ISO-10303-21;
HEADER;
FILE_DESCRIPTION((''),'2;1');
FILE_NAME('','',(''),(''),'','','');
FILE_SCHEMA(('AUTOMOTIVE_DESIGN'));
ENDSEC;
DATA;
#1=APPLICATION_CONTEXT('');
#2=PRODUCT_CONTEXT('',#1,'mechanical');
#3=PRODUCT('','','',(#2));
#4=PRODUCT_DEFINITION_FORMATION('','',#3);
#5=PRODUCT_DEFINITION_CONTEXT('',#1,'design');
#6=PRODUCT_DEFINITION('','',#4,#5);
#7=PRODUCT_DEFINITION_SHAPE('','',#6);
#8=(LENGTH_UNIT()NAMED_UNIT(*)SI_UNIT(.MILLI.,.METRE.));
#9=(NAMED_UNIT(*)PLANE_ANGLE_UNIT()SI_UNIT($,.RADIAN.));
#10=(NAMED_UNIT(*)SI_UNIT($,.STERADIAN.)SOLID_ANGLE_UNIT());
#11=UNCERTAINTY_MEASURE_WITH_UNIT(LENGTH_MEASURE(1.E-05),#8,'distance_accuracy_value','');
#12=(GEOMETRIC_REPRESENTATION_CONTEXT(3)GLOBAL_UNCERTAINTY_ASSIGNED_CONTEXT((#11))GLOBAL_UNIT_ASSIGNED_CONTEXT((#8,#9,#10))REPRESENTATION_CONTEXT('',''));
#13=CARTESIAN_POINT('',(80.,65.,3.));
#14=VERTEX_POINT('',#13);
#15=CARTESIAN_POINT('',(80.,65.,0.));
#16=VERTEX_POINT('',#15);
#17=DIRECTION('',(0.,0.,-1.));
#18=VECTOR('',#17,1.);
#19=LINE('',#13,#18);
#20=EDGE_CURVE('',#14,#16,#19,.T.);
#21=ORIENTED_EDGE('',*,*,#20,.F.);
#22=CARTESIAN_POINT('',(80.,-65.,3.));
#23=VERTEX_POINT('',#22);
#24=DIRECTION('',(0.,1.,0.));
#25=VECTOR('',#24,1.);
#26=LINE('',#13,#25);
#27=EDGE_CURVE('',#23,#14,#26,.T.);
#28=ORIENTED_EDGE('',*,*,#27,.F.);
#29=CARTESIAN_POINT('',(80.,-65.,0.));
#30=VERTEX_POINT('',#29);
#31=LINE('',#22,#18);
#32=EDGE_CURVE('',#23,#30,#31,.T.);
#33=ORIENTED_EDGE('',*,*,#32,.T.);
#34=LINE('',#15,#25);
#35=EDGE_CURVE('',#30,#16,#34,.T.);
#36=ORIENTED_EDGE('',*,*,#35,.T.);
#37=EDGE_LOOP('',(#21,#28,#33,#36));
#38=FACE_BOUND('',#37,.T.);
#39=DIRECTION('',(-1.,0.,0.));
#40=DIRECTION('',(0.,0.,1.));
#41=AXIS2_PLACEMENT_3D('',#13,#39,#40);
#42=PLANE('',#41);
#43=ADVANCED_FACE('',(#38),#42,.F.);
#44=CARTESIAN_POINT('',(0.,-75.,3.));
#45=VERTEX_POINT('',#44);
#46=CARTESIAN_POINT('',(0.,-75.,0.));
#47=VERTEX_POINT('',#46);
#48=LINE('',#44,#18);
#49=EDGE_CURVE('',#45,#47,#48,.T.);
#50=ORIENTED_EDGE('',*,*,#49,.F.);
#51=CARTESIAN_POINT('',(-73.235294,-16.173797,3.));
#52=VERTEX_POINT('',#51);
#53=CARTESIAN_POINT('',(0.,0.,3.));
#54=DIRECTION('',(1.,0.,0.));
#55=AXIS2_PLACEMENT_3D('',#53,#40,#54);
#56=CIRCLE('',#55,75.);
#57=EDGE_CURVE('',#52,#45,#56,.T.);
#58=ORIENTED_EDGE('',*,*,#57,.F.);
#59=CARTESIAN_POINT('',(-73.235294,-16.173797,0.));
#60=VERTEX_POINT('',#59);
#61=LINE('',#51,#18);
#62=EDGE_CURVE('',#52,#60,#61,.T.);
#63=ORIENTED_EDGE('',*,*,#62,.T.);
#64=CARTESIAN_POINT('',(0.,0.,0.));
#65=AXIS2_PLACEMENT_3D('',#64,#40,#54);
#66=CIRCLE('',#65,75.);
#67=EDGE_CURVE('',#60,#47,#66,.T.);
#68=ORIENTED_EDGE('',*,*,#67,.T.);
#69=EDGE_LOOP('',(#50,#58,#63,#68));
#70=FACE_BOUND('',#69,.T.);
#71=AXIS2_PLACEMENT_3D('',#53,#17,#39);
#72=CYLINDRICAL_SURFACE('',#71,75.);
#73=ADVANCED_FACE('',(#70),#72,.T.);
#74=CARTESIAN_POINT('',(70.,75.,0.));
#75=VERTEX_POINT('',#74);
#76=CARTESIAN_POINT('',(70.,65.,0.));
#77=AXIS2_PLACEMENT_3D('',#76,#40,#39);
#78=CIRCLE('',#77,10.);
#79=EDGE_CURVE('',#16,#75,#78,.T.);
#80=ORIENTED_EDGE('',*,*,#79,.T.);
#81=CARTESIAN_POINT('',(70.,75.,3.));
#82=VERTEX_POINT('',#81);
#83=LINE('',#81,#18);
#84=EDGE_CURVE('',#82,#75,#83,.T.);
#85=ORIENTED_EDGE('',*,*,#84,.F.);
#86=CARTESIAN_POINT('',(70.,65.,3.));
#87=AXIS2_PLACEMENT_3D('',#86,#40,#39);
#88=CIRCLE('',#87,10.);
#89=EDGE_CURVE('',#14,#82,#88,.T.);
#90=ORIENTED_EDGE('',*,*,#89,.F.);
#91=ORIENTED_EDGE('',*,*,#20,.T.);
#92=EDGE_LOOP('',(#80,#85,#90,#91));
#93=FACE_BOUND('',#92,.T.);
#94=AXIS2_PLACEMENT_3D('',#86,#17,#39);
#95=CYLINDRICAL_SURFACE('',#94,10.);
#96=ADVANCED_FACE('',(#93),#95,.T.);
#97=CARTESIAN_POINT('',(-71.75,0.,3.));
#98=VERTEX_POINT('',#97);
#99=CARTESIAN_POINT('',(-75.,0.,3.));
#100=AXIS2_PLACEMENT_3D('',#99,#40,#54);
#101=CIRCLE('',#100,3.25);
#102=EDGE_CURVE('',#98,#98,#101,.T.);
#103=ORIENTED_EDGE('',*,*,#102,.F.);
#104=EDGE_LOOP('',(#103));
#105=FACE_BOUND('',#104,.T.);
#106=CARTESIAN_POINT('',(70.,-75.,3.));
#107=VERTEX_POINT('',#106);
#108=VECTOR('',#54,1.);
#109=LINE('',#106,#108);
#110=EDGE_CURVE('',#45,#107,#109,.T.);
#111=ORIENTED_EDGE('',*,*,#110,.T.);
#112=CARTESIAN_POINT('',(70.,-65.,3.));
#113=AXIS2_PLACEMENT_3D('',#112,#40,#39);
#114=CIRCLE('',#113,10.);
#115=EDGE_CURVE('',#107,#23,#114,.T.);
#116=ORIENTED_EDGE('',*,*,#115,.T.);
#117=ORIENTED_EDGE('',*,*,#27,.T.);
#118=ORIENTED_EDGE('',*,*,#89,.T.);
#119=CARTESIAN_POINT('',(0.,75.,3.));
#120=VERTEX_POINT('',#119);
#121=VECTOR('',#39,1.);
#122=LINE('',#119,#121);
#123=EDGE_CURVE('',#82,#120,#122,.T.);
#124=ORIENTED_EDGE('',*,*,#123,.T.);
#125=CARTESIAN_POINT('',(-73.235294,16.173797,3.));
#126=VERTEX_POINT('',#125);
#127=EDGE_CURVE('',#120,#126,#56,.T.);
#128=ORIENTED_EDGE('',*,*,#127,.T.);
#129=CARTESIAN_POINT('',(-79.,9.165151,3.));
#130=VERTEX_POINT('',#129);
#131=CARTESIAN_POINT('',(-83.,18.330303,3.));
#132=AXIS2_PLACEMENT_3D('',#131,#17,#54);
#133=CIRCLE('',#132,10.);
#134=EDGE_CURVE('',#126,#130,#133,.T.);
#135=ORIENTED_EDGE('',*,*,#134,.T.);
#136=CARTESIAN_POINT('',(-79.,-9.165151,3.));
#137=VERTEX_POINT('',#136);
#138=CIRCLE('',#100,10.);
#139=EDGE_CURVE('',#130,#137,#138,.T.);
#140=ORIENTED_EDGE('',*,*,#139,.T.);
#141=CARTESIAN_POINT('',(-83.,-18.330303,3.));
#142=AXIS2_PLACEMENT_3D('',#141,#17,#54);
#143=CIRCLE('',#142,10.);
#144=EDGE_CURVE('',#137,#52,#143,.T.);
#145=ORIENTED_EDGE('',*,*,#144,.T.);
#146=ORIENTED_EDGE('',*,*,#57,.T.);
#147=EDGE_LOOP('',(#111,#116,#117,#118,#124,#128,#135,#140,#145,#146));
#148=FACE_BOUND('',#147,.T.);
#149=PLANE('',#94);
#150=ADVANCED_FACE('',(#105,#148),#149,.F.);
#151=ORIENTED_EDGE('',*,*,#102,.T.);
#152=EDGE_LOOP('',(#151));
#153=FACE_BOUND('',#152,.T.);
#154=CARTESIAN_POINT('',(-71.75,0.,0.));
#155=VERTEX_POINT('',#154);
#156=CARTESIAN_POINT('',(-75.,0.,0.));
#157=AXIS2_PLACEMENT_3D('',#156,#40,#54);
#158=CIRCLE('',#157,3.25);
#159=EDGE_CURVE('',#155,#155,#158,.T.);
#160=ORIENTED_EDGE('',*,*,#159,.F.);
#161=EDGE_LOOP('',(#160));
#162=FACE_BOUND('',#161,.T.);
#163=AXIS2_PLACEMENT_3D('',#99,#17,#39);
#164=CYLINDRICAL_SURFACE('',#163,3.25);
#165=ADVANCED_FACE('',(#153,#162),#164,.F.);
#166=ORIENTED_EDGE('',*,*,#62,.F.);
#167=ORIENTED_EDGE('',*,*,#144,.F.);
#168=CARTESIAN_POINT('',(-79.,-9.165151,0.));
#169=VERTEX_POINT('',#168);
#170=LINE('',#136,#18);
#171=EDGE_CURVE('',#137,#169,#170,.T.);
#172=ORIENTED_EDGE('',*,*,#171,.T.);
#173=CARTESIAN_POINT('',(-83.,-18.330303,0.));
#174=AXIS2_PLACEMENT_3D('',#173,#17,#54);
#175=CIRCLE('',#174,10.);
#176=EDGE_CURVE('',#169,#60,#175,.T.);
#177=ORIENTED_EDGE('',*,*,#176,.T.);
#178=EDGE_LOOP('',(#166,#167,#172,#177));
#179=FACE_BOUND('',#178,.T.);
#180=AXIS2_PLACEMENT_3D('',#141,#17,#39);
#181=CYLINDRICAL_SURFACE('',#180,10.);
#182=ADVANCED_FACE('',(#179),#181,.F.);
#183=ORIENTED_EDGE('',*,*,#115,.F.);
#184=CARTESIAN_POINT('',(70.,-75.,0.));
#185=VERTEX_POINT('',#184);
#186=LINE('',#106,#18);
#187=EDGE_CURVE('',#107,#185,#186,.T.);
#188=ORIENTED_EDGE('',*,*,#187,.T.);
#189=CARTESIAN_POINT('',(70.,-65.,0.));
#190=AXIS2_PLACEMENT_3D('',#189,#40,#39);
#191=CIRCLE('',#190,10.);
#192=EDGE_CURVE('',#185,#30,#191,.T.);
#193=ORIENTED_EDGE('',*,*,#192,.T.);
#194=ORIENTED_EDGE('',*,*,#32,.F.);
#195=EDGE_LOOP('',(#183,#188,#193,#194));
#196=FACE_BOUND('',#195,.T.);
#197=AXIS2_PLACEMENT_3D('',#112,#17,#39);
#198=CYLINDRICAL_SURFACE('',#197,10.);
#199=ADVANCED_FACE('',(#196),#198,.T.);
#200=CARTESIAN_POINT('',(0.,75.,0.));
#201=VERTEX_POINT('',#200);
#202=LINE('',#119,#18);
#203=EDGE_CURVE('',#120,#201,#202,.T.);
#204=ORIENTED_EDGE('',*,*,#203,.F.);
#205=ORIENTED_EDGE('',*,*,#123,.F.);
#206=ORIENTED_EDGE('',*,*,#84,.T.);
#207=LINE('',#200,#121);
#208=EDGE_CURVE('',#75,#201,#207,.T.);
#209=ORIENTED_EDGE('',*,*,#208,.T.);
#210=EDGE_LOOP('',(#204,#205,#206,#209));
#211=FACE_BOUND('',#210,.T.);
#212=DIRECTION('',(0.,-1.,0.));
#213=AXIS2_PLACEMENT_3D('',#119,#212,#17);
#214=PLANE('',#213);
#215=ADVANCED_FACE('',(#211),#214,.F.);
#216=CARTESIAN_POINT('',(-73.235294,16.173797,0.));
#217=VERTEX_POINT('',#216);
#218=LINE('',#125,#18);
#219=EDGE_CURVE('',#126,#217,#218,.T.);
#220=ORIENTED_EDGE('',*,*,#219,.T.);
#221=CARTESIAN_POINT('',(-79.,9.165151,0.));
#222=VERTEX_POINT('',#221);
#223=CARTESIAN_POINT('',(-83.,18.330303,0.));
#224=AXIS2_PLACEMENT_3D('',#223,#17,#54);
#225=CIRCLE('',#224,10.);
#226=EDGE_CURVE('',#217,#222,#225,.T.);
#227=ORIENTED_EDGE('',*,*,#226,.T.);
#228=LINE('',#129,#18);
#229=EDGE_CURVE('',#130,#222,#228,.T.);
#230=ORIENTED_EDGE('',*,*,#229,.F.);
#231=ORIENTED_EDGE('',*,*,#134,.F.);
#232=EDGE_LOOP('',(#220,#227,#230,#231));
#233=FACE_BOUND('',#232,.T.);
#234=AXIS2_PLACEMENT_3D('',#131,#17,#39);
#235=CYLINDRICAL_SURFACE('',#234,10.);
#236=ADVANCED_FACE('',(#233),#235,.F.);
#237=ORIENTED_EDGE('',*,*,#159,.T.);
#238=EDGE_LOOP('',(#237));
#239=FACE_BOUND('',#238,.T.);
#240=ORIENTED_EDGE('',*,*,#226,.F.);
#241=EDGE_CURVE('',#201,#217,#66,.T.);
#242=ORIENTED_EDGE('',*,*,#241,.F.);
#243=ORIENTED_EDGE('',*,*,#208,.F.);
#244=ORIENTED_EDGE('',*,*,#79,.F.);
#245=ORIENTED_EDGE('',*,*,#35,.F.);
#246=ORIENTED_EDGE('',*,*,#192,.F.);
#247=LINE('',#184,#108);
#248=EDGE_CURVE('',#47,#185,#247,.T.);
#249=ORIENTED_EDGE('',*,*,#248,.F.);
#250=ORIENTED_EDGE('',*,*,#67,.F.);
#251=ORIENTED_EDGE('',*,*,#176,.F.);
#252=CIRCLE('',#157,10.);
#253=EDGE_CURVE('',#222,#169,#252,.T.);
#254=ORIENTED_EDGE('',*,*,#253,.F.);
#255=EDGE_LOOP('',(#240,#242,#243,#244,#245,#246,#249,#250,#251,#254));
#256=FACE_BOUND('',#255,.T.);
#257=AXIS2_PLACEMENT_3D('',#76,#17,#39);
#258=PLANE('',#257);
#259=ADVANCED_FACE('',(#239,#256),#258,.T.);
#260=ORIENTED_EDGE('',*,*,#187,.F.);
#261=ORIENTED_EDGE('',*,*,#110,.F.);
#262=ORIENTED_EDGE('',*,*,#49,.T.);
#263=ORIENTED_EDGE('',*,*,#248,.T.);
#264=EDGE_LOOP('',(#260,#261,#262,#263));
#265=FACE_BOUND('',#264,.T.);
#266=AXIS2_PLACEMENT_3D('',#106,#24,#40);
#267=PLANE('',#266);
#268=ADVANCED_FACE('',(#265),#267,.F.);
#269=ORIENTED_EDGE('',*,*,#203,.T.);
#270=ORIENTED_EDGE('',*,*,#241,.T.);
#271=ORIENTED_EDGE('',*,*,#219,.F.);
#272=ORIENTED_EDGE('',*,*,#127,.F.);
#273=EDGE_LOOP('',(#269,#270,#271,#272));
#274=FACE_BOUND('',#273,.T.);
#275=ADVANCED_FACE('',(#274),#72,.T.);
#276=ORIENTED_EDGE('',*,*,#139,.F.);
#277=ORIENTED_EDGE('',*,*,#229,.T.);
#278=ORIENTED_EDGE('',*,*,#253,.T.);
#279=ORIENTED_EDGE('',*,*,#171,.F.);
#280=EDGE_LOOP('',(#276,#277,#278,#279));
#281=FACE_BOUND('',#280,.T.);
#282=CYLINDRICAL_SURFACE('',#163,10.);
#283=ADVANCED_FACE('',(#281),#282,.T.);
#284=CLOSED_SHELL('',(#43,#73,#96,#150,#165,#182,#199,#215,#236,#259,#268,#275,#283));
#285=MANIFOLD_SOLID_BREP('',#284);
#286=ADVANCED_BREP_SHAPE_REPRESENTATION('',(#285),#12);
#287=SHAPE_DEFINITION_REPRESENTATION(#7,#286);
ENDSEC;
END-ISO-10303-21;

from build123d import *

# Parameters (mm, degrees)
SKETCH1_R        = 3.25
MAIN_PLATE_DEPTH = 3


with BuildPart() as part:
    # Sketch1 → Main Plate (new body)
    with BuildSketch(Plane.XY):
        with BuildLine():
            Line((0, 75), (70, 75))
            ThreePointArc((70, 75), (77.071067812, 72.071067812), (80, 65))
            Line((80, 65), (80, -65))
            ThreePointArc((80, -65), (77.071067812, -72.071067812), (70, -75))
            Line((70, -75), (0, -75))
            ThreePointArc((0, -75), (-46.967889335, -58.472364168), (-73.235294118, -16.17379657))
            ThreePointArc((-73.235294118, -16.17379657), (-75.276849165, -11.977906289), (-79, -9.16515139))
            ThreePointArc((-79, -9.16515139), (-85, 0), (-79, 9.16515139))
            ThreePointArc((-79, 9.16515139), (-75.276849165, 11.977906289), (-73.235294118, 16.17379657))
            ThreePointArc((-73.235294118, 16.17379657), (-46.967889335, 58.472364168), (0, 75))
        make_face()
        with Locations((-75, 0)):
            Circle(SKETCH1_R, mode=Mode.SUBTRACT)
    extrude(amount=MAIN_PLATE_DEPTH)


solid = part.part
